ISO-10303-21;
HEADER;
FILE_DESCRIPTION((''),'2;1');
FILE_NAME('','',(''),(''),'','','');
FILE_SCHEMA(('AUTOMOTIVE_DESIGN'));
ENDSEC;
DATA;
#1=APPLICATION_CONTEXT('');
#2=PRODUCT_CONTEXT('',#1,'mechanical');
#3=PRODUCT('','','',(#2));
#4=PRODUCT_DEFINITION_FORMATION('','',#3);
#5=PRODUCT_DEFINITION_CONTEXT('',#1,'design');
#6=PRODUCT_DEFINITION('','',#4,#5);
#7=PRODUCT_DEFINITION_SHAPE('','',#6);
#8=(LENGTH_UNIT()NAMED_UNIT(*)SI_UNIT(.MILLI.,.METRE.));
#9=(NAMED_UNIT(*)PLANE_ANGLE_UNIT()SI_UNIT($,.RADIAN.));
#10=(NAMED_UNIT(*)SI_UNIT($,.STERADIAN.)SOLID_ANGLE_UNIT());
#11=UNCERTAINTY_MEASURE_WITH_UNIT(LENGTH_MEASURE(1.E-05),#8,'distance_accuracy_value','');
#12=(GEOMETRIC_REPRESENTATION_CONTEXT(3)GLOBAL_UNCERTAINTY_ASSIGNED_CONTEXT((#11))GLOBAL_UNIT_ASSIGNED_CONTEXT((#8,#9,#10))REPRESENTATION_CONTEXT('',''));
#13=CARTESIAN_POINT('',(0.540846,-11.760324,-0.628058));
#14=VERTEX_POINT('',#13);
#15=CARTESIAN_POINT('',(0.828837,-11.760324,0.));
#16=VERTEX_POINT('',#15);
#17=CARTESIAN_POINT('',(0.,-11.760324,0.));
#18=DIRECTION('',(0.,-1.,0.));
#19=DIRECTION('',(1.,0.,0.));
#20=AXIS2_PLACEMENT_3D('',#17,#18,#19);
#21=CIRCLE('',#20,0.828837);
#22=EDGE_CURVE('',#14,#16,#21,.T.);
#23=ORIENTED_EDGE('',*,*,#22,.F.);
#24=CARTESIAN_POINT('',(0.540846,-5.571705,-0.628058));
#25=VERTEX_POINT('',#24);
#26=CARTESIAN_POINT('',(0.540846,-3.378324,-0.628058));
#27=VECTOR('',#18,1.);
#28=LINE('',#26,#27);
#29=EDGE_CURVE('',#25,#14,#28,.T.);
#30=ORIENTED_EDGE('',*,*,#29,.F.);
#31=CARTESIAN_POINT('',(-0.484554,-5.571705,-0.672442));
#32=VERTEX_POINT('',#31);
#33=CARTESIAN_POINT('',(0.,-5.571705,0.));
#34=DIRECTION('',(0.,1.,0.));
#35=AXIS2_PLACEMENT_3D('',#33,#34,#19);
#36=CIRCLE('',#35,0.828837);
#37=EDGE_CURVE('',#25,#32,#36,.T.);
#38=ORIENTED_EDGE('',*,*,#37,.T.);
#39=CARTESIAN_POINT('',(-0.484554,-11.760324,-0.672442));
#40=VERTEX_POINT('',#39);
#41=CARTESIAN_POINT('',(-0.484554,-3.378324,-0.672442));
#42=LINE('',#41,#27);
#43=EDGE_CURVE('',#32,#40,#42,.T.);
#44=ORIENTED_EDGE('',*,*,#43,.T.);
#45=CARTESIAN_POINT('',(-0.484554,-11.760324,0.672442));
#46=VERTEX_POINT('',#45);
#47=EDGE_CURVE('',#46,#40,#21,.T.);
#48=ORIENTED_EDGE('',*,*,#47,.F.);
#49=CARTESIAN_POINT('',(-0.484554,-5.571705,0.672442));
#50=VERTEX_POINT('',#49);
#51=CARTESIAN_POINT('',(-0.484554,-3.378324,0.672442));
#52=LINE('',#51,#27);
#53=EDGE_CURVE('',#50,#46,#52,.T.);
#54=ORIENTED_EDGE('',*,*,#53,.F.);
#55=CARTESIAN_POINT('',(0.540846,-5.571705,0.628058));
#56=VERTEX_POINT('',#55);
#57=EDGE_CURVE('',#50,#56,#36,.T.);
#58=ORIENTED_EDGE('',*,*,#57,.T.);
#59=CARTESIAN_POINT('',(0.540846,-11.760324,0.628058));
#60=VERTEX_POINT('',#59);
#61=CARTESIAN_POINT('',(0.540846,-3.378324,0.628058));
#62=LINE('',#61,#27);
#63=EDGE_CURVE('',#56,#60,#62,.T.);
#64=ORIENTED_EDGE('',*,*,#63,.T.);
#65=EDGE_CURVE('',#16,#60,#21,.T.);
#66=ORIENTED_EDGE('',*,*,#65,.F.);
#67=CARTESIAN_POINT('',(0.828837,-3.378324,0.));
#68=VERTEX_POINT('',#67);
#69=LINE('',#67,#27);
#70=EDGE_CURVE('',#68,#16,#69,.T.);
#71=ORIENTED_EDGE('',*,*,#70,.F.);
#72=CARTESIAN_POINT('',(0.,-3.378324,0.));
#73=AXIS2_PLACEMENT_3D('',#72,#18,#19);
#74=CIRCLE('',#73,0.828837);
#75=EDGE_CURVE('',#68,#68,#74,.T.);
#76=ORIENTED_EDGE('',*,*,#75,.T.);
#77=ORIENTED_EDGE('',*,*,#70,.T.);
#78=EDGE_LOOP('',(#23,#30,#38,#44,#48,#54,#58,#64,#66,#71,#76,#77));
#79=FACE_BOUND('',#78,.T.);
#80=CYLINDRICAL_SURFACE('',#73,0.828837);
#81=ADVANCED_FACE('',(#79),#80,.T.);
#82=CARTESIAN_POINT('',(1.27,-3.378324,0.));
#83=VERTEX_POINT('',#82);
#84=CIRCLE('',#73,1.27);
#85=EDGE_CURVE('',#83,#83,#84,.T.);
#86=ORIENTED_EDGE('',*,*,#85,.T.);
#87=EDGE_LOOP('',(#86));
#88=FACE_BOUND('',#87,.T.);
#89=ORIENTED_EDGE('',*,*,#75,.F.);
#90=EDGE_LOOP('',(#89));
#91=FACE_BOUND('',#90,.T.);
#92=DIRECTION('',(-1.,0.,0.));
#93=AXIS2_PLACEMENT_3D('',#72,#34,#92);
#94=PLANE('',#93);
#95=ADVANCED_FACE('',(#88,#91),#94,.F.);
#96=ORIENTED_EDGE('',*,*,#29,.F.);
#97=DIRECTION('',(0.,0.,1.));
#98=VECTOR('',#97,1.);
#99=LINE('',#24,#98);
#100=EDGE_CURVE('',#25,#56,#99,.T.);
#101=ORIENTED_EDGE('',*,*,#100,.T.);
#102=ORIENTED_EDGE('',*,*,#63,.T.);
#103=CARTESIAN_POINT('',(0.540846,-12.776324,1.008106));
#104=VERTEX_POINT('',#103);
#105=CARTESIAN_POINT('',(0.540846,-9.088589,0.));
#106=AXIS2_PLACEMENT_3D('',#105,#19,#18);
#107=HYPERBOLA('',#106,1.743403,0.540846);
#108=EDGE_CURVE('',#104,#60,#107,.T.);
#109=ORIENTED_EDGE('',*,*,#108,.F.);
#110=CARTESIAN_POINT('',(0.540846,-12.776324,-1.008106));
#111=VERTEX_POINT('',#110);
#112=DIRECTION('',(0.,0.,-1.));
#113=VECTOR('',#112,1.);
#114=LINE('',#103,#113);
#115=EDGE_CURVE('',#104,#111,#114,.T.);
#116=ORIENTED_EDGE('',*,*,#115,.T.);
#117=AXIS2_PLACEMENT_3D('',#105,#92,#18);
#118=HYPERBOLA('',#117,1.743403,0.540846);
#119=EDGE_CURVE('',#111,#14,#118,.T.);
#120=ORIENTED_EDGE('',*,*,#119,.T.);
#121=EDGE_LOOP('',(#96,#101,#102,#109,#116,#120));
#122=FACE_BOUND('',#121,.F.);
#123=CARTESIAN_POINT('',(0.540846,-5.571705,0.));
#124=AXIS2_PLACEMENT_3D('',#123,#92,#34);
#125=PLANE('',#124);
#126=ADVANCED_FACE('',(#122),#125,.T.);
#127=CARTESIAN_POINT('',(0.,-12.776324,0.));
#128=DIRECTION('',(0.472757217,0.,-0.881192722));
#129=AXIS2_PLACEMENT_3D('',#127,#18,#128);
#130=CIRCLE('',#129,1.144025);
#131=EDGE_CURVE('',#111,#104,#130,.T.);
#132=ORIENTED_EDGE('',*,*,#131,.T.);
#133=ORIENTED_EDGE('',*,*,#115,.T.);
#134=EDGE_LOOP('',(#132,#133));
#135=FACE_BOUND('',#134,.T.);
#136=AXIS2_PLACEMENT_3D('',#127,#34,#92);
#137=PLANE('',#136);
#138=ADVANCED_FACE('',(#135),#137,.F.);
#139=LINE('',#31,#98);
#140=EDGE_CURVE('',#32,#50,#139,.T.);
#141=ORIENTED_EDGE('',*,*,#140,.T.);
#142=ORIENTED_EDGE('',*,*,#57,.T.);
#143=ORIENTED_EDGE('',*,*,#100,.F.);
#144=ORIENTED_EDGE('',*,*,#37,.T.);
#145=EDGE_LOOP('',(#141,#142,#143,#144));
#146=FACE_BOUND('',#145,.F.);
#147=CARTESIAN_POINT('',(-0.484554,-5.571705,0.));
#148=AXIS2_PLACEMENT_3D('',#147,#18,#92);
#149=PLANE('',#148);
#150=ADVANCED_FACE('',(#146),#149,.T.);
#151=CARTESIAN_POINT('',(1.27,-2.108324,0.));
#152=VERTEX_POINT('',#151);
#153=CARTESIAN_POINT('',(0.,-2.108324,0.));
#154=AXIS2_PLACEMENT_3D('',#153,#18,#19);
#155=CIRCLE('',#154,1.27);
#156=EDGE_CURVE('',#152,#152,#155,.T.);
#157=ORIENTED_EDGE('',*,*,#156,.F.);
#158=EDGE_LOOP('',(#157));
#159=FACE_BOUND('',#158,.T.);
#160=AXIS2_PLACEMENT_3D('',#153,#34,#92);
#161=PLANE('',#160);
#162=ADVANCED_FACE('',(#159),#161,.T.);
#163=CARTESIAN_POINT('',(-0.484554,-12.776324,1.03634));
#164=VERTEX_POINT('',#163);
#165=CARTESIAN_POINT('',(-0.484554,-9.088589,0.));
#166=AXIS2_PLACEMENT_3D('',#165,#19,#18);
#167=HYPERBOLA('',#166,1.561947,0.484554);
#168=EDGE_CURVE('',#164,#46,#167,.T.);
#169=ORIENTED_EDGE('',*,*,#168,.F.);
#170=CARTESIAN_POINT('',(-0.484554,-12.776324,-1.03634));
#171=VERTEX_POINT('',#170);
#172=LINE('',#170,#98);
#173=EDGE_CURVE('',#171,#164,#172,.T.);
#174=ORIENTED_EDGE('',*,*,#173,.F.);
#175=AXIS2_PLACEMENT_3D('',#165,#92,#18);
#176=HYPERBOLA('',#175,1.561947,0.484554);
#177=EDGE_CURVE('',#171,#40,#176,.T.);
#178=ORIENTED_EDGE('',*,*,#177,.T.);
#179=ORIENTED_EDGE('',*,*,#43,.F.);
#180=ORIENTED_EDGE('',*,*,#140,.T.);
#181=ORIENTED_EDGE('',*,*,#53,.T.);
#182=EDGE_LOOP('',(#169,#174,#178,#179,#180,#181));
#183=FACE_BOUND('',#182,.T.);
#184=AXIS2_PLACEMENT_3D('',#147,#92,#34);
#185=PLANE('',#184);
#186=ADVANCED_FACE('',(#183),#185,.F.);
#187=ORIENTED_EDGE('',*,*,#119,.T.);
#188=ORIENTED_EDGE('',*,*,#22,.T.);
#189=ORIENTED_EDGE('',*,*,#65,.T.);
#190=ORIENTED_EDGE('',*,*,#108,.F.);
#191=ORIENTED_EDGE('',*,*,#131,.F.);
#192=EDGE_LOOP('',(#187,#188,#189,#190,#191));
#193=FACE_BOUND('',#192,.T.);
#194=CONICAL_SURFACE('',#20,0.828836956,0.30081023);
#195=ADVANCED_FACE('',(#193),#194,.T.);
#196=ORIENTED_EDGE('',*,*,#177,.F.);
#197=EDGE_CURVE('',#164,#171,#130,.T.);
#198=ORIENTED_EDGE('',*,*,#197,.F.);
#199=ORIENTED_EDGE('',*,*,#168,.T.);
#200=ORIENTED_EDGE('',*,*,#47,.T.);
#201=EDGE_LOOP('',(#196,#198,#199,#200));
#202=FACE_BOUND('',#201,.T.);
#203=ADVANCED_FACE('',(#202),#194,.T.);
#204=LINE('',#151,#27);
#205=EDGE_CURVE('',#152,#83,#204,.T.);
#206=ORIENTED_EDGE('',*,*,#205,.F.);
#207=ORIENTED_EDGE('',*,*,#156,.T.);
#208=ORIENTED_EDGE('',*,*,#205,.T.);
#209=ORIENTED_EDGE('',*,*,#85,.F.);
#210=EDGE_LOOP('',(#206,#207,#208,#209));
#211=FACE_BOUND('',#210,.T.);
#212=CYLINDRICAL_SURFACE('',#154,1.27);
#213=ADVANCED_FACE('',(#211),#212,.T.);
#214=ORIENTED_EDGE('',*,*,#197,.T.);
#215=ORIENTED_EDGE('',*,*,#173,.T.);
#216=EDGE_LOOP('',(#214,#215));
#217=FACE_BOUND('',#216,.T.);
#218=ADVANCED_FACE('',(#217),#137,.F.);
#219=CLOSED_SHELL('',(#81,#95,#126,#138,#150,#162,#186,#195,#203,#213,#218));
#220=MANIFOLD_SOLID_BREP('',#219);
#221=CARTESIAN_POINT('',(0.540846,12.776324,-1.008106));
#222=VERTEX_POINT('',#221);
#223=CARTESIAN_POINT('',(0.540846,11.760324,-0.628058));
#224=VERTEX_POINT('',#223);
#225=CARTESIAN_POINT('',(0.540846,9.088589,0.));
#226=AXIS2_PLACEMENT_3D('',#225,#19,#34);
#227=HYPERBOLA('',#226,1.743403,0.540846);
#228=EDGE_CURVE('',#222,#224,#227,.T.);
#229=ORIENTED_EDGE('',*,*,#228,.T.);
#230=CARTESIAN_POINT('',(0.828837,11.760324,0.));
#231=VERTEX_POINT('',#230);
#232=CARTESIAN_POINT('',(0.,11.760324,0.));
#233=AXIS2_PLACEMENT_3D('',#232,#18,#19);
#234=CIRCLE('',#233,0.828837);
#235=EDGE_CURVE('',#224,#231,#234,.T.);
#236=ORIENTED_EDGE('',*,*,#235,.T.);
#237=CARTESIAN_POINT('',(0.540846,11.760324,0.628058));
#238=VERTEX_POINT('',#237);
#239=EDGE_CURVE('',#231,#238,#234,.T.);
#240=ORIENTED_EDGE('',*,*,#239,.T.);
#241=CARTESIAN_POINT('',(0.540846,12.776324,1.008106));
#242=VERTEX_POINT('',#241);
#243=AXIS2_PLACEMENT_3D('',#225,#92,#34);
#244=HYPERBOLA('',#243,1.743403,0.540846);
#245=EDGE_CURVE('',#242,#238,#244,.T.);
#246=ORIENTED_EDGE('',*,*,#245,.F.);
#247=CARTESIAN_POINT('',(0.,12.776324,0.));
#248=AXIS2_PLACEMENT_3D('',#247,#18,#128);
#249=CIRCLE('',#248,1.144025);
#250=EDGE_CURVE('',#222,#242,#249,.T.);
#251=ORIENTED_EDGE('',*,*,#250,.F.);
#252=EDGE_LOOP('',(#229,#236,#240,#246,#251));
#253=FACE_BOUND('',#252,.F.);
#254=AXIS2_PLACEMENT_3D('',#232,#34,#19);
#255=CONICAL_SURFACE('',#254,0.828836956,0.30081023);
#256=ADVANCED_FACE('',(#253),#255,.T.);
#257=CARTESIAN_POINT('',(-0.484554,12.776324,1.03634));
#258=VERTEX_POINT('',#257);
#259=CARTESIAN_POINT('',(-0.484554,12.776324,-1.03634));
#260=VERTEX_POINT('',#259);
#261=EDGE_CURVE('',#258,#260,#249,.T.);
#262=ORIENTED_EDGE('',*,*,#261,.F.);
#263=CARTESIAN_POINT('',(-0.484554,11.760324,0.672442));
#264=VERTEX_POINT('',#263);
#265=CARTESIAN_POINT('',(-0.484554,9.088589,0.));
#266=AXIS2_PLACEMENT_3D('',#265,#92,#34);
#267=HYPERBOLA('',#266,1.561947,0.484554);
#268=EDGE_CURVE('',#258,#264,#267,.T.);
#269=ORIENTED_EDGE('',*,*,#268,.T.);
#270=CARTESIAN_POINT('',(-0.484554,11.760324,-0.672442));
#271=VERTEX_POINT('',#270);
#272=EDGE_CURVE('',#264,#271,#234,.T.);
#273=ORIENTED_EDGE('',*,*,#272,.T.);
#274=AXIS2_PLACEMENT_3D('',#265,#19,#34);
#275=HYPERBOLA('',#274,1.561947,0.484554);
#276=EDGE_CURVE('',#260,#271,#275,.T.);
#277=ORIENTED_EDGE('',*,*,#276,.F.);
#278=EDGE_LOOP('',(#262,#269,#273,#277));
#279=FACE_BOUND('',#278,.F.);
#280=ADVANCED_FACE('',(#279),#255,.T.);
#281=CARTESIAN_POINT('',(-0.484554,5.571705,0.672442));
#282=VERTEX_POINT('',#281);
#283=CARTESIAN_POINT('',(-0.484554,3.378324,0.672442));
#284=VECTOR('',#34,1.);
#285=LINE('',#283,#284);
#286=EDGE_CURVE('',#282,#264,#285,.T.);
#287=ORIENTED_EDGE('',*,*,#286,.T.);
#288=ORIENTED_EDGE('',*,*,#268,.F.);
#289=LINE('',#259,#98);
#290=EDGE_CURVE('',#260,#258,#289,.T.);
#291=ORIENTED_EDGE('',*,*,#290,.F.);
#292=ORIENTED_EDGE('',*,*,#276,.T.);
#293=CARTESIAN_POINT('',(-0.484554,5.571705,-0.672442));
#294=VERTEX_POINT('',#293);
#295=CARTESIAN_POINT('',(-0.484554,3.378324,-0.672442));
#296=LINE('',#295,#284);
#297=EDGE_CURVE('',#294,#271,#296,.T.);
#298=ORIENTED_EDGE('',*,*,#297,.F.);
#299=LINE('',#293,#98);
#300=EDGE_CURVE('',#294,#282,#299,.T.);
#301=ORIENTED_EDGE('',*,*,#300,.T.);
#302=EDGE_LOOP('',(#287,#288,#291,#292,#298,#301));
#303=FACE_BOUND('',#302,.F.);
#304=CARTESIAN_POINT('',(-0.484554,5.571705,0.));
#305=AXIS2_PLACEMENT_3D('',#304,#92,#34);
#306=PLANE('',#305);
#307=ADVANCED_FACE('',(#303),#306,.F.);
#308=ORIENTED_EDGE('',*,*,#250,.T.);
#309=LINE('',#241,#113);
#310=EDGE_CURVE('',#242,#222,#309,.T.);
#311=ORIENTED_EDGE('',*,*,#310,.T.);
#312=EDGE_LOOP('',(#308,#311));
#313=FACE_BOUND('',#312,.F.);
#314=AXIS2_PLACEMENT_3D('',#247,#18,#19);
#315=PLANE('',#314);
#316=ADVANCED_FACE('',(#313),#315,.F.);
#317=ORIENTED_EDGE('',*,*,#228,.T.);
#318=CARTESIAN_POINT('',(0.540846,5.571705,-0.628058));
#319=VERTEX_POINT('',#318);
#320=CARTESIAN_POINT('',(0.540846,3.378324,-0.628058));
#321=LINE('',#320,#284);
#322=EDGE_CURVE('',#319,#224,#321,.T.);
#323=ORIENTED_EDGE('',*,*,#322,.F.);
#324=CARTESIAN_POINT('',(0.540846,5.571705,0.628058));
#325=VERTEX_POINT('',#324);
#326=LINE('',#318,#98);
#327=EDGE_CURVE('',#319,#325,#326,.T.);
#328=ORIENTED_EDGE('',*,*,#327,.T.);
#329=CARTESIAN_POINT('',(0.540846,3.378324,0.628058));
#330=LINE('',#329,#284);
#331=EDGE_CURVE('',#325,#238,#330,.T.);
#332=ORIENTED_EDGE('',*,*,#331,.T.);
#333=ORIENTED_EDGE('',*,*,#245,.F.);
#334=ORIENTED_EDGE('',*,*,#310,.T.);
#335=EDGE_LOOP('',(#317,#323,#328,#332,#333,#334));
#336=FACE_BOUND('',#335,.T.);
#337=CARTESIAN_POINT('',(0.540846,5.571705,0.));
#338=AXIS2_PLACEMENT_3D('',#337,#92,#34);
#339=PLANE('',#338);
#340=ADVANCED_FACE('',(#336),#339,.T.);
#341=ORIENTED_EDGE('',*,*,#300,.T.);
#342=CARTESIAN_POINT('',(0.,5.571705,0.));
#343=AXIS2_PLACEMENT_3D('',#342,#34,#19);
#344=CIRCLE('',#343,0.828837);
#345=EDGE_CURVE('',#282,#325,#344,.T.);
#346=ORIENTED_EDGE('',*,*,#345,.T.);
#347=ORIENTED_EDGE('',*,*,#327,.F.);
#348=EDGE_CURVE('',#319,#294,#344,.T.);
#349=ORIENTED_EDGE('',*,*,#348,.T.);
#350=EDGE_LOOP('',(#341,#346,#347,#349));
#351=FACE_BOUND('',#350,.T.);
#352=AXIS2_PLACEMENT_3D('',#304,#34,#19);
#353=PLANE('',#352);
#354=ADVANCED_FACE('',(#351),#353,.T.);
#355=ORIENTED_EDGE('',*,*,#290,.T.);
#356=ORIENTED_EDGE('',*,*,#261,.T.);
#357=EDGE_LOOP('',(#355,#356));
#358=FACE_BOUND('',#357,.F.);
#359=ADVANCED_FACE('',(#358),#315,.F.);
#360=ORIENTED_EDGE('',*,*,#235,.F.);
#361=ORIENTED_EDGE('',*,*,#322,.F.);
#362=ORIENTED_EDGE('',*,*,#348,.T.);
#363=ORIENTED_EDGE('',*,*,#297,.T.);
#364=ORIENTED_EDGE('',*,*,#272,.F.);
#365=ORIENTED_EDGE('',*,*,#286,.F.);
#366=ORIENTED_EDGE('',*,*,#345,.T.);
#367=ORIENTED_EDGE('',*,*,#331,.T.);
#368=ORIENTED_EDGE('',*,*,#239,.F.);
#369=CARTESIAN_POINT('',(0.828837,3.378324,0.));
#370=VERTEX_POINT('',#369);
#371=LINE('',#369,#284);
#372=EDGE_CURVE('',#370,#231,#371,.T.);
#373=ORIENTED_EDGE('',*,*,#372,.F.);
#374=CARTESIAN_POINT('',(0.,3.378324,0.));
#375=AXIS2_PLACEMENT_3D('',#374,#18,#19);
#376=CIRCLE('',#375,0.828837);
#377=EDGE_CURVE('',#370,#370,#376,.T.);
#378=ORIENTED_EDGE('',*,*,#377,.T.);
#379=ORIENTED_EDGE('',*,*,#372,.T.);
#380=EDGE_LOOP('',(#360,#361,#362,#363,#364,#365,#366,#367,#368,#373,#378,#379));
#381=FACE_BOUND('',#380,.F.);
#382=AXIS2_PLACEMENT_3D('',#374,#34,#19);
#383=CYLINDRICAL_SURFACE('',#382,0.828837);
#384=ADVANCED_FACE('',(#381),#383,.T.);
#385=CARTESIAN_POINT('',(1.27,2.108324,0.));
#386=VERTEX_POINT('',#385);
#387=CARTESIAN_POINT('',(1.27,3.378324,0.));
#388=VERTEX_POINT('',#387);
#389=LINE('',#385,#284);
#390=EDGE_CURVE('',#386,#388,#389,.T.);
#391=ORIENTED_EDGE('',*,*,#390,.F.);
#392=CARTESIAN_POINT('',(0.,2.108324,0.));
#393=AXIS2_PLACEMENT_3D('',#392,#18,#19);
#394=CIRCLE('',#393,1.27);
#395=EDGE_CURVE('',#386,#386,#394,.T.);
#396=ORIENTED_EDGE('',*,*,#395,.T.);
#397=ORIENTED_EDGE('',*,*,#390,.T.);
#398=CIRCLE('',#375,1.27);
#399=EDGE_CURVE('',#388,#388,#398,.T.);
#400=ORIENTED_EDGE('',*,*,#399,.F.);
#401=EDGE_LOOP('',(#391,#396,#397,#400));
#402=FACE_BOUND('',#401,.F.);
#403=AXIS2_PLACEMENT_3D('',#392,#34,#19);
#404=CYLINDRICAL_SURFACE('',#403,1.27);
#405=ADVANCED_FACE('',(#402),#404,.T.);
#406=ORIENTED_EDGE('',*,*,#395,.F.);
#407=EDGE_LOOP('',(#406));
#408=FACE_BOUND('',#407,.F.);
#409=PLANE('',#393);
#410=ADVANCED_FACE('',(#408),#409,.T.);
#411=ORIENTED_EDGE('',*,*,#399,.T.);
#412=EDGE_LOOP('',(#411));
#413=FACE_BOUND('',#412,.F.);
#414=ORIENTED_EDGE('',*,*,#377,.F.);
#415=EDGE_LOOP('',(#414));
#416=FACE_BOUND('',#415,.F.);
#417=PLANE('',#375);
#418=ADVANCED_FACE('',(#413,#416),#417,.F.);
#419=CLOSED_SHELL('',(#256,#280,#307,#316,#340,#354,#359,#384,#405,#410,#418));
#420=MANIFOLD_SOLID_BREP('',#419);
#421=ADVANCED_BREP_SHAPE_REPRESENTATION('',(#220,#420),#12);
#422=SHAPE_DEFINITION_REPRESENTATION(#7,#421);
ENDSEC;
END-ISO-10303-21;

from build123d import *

# Parameters (mm, degrees)
F2_W          = 1.025399717
F2_H          = 7.9063717276
F3_DEPTH      = 1.271
F3_DEPTH_BACK = 25.4


with BuildPart() as f1:
    # F0 (on Top) → F1 (revolve)
    with BuildSketch(Plane.XY):
        Polygon((0, 12.7763244778), (0, 2.1083244778), (1.27, 2.1083244778), (1.27, 3.3783244778), (0.8288369562, 3.3783244778), (0.8288369562, 11.7603244778), (0.8288369562, 12.7763244778), align=None)
        Polygon((1.1440247763, 12.7763244778), (0.8288369562, 12.7763244778), (0.8288369562, 11.7603244778), align=None)
    revolve(axis=Axis((0, 7.4423244778, 0), (0, -1, 0)))

    # F2 (on Top) → F3 (cut, two sides)
    with BuildSketch(Plane.XY) as f3_sk:
        with Locations((0.0281461107, 9.524891153)):
            Rectangle(F2_W, F2_H)
    extrude(amount=-F3_DEPTH, mode=Mode.SUBTRACT)
    extrude(f3_sk.sketch, amount=F3_DEPTH_BACK, mode=Mode.SUBTRACT)


with BuildPart() as f4_1:
    # F4: instance of F1
    add(f1.part.mirror(Plane.XZ))


solid = Compound([f1.part, f4_1.part])
